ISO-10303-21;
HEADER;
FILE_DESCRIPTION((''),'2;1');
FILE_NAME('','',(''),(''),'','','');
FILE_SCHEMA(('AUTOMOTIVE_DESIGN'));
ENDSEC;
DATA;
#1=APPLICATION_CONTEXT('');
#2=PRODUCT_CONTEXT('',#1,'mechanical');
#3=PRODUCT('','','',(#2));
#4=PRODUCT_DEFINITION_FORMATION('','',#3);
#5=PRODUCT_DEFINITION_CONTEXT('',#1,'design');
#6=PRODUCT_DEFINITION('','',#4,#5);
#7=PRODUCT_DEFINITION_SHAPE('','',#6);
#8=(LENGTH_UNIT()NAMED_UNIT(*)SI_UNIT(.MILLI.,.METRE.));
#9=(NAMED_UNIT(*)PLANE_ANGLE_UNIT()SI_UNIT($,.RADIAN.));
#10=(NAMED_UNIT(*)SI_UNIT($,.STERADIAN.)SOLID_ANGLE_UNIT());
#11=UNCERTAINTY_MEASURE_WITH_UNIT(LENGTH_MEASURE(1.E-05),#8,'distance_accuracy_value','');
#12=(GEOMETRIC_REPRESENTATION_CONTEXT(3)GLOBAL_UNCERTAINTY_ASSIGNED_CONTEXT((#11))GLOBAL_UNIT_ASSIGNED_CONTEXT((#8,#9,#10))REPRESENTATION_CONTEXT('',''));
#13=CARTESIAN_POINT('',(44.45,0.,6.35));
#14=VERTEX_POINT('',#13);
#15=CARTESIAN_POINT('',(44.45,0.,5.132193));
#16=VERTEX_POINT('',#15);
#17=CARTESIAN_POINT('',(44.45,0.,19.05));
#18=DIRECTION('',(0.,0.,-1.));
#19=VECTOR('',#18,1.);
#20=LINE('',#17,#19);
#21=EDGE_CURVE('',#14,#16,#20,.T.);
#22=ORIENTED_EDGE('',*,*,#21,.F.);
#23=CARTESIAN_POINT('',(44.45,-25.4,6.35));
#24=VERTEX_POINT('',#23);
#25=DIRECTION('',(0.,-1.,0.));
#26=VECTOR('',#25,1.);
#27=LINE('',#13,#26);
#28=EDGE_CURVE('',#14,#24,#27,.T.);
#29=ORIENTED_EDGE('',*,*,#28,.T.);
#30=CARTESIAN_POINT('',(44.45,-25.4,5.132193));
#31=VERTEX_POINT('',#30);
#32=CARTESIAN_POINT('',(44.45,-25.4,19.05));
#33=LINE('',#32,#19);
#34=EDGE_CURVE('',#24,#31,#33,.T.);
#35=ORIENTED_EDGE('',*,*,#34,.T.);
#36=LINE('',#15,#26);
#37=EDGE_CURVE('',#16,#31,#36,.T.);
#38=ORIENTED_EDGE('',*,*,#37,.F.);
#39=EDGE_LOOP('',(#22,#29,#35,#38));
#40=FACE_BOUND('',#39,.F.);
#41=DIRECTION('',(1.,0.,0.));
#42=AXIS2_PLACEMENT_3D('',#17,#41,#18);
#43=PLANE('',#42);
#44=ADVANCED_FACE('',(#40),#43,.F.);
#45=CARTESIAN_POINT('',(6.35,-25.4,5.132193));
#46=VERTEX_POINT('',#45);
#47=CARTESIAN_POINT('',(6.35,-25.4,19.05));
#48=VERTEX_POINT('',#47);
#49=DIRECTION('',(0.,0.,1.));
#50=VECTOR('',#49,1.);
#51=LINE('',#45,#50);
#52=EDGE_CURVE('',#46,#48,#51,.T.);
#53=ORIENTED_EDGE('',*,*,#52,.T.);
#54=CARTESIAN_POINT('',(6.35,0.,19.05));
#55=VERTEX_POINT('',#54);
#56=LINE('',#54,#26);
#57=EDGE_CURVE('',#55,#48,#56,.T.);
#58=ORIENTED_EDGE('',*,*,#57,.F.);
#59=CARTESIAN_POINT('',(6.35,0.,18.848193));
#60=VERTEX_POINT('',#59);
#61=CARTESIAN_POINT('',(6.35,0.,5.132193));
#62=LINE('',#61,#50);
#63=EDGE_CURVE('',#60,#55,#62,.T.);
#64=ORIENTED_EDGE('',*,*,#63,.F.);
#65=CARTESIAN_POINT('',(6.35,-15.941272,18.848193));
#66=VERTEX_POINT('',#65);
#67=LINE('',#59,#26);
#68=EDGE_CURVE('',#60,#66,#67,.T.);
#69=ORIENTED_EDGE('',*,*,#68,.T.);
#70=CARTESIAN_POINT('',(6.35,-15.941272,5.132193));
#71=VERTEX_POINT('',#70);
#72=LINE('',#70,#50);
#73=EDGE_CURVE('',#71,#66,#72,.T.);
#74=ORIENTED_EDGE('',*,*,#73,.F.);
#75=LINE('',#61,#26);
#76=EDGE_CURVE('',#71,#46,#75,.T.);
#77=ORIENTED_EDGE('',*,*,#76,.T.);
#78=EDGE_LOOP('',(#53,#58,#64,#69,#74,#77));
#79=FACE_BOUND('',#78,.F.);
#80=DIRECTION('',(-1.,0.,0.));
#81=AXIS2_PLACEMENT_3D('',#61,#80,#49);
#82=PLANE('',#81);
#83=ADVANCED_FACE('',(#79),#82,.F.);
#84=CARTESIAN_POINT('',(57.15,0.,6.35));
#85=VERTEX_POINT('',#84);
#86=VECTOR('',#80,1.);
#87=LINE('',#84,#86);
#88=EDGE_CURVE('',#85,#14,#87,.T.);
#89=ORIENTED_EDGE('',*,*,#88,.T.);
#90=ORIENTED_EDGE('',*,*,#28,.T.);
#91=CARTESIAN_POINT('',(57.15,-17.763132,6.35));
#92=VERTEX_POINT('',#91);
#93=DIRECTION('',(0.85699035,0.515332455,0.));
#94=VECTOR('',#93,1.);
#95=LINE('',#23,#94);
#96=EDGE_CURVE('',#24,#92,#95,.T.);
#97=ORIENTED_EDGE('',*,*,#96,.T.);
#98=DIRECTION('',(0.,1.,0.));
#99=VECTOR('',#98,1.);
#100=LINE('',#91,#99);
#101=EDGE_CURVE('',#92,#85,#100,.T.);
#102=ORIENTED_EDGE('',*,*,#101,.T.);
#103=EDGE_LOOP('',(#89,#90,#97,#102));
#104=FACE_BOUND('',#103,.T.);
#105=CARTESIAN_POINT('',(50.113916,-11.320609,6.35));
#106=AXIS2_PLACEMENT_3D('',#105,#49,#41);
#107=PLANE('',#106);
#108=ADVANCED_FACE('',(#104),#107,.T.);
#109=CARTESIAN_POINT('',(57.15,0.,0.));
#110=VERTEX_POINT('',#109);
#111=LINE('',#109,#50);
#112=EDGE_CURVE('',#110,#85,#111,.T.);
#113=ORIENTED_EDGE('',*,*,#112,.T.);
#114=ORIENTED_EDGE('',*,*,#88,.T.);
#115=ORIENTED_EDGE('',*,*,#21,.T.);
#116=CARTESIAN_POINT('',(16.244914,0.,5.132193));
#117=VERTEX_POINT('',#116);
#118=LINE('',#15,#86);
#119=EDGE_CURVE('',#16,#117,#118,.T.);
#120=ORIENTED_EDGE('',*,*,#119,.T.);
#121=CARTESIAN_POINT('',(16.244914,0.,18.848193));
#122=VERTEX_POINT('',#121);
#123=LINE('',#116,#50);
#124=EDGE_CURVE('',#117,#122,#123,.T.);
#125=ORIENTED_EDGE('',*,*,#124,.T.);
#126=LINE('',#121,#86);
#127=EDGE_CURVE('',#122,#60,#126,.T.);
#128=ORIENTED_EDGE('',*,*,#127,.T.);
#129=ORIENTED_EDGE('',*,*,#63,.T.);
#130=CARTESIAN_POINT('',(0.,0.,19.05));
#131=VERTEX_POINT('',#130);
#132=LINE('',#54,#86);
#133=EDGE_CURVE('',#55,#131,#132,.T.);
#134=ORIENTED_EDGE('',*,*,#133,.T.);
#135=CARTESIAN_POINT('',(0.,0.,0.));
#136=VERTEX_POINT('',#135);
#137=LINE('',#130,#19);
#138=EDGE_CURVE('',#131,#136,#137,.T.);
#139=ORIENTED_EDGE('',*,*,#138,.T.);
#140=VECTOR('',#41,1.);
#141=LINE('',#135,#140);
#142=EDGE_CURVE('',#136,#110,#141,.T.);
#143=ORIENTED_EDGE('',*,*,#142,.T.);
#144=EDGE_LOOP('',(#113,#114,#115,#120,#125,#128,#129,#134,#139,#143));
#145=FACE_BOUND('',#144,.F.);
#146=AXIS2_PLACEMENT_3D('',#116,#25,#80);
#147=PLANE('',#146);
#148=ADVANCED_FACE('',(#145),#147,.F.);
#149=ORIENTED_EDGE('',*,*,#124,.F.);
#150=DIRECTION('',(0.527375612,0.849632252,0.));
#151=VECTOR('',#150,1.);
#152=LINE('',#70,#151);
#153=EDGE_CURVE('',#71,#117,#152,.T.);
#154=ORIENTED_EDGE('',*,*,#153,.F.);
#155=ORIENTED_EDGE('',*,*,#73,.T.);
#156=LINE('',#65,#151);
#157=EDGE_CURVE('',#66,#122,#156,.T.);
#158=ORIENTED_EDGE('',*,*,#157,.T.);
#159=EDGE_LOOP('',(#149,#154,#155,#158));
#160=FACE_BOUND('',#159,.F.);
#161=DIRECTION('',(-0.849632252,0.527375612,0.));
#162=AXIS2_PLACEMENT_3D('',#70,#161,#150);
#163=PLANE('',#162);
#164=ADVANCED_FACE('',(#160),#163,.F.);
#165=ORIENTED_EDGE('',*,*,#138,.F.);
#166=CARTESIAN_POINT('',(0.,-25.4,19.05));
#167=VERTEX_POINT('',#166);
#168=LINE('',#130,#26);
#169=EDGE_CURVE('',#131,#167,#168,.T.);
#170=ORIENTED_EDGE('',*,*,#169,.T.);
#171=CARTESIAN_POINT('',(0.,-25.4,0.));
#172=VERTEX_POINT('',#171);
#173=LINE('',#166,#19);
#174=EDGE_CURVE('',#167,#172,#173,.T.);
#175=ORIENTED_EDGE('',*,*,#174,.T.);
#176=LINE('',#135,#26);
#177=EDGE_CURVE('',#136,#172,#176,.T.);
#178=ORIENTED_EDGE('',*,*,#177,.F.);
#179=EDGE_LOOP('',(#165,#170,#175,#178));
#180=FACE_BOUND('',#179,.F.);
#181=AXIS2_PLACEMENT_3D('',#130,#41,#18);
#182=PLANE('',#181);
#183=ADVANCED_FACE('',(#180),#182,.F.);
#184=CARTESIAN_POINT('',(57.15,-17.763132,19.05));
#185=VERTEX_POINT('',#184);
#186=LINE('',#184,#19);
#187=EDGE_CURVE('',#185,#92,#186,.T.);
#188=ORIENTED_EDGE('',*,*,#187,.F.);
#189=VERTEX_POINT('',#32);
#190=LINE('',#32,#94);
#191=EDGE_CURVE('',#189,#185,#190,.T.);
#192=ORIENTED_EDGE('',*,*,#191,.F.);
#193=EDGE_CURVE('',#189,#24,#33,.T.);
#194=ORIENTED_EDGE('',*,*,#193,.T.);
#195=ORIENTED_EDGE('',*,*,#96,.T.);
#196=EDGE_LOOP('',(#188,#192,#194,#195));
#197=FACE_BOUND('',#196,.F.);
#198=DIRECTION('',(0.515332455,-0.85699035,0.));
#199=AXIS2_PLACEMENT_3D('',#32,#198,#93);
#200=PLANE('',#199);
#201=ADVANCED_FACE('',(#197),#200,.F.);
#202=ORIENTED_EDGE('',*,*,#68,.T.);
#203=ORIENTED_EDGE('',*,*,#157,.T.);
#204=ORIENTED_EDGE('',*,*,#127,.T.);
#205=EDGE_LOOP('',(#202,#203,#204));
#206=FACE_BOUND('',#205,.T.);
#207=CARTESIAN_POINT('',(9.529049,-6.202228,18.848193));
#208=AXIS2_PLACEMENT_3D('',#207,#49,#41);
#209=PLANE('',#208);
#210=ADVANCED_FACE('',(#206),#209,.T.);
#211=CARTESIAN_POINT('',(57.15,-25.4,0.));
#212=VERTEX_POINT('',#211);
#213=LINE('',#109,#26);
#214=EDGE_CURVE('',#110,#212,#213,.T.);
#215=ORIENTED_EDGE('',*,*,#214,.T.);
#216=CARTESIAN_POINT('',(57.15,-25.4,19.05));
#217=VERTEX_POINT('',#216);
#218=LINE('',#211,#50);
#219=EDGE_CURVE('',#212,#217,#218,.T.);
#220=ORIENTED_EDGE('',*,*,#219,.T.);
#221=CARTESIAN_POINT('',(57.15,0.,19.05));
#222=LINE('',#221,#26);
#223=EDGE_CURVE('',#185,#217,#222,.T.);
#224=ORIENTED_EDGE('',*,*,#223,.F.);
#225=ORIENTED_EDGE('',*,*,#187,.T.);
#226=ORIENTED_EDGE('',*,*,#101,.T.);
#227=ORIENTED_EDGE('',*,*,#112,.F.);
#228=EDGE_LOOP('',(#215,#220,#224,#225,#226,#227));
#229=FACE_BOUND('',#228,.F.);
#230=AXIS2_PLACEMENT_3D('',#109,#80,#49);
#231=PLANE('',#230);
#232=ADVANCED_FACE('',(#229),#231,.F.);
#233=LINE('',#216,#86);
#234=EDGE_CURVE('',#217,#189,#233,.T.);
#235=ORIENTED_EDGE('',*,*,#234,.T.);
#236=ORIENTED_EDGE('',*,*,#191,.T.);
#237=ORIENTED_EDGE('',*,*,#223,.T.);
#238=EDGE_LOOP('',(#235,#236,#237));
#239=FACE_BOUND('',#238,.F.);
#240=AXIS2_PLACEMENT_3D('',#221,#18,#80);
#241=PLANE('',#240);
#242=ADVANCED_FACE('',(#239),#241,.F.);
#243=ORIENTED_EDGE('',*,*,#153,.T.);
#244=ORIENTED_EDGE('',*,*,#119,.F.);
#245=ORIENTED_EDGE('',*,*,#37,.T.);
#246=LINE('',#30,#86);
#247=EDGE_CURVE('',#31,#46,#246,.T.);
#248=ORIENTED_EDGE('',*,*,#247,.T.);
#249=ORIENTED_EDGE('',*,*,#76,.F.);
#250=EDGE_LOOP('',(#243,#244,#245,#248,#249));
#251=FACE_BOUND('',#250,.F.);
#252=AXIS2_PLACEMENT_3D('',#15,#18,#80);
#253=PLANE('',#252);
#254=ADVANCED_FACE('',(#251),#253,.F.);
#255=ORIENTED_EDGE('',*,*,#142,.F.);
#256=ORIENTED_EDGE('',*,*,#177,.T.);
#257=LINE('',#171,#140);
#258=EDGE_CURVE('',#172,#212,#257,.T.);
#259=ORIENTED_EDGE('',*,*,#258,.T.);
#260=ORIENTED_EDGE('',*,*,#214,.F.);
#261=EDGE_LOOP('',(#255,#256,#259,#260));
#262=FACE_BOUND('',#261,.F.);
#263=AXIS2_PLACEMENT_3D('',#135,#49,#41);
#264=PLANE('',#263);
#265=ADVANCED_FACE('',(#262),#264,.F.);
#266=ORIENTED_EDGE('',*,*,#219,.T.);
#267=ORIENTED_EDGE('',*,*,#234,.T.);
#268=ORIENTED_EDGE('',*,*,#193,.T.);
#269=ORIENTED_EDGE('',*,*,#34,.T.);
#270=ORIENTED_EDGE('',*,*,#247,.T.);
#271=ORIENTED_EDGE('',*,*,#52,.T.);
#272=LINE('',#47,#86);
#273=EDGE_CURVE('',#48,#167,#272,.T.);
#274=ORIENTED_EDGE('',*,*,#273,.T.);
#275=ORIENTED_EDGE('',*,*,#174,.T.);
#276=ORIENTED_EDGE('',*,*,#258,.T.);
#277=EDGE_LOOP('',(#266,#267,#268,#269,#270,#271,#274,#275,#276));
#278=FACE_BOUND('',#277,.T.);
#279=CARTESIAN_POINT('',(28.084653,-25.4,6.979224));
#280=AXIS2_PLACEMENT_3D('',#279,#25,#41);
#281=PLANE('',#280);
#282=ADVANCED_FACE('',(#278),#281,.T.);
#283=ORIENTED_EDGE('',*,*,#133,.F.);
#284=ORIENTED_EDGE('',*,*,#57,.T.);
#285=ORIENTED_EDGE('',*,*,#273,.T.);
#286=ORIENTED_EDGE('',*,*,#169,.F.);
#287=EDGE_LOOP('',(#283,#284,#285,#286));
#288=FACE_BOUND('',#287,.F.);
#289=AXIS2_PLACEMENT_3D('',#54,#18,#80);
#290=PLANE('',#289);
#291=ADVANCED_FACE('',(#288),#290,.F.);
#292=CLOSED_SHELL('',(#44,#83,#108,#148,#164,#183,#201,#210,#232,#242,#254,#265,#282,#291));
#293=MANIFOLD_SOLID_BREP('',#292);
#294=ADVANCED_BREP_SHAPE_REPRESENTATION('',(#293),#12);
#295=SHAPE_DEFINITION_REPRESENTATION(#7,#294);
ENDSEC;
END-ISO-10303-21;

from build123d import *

# Parameters (mm, degrees)
F1_DEPTH = 25.4
F3_DEPTH = 12.7
F5_DEPTH = 13.716


with BuildPart() as f1:
    # F0 (on Front) → F1 (new body)
    with BuildSketch(Plane.XZ):
        Polygon((0, 19.05), (0, 0), (57.15, 0), (57.15, 19.05), (44.45, 19.05), (44.45, 5.132193), (6.35, 5.132193), (6.35, 19.05), align=None)
    extrude(amount=F1_DEPTH)

    # F2 (on face) → F3 (cut)
    with BuildSketch(Plane.XY.offset(19.05)):
        Polygon((44.45, 0), (44.45, -25.4), (57.15, -17.763132), (57.15, 0), align=None)
    extrude(amount=-F3_DEPTH, mode=Mode.SUBTRACT)

    # F4 (on face) → F5 (join)
    with BuildSketch(Plane.XY.offset(5.132193)):
        Polygon((6.35, 0), (6.35, -15.941272), (16.244914, 0), align=None)
    extrude(amount=F5_DEPTH)


solid = f1.part
